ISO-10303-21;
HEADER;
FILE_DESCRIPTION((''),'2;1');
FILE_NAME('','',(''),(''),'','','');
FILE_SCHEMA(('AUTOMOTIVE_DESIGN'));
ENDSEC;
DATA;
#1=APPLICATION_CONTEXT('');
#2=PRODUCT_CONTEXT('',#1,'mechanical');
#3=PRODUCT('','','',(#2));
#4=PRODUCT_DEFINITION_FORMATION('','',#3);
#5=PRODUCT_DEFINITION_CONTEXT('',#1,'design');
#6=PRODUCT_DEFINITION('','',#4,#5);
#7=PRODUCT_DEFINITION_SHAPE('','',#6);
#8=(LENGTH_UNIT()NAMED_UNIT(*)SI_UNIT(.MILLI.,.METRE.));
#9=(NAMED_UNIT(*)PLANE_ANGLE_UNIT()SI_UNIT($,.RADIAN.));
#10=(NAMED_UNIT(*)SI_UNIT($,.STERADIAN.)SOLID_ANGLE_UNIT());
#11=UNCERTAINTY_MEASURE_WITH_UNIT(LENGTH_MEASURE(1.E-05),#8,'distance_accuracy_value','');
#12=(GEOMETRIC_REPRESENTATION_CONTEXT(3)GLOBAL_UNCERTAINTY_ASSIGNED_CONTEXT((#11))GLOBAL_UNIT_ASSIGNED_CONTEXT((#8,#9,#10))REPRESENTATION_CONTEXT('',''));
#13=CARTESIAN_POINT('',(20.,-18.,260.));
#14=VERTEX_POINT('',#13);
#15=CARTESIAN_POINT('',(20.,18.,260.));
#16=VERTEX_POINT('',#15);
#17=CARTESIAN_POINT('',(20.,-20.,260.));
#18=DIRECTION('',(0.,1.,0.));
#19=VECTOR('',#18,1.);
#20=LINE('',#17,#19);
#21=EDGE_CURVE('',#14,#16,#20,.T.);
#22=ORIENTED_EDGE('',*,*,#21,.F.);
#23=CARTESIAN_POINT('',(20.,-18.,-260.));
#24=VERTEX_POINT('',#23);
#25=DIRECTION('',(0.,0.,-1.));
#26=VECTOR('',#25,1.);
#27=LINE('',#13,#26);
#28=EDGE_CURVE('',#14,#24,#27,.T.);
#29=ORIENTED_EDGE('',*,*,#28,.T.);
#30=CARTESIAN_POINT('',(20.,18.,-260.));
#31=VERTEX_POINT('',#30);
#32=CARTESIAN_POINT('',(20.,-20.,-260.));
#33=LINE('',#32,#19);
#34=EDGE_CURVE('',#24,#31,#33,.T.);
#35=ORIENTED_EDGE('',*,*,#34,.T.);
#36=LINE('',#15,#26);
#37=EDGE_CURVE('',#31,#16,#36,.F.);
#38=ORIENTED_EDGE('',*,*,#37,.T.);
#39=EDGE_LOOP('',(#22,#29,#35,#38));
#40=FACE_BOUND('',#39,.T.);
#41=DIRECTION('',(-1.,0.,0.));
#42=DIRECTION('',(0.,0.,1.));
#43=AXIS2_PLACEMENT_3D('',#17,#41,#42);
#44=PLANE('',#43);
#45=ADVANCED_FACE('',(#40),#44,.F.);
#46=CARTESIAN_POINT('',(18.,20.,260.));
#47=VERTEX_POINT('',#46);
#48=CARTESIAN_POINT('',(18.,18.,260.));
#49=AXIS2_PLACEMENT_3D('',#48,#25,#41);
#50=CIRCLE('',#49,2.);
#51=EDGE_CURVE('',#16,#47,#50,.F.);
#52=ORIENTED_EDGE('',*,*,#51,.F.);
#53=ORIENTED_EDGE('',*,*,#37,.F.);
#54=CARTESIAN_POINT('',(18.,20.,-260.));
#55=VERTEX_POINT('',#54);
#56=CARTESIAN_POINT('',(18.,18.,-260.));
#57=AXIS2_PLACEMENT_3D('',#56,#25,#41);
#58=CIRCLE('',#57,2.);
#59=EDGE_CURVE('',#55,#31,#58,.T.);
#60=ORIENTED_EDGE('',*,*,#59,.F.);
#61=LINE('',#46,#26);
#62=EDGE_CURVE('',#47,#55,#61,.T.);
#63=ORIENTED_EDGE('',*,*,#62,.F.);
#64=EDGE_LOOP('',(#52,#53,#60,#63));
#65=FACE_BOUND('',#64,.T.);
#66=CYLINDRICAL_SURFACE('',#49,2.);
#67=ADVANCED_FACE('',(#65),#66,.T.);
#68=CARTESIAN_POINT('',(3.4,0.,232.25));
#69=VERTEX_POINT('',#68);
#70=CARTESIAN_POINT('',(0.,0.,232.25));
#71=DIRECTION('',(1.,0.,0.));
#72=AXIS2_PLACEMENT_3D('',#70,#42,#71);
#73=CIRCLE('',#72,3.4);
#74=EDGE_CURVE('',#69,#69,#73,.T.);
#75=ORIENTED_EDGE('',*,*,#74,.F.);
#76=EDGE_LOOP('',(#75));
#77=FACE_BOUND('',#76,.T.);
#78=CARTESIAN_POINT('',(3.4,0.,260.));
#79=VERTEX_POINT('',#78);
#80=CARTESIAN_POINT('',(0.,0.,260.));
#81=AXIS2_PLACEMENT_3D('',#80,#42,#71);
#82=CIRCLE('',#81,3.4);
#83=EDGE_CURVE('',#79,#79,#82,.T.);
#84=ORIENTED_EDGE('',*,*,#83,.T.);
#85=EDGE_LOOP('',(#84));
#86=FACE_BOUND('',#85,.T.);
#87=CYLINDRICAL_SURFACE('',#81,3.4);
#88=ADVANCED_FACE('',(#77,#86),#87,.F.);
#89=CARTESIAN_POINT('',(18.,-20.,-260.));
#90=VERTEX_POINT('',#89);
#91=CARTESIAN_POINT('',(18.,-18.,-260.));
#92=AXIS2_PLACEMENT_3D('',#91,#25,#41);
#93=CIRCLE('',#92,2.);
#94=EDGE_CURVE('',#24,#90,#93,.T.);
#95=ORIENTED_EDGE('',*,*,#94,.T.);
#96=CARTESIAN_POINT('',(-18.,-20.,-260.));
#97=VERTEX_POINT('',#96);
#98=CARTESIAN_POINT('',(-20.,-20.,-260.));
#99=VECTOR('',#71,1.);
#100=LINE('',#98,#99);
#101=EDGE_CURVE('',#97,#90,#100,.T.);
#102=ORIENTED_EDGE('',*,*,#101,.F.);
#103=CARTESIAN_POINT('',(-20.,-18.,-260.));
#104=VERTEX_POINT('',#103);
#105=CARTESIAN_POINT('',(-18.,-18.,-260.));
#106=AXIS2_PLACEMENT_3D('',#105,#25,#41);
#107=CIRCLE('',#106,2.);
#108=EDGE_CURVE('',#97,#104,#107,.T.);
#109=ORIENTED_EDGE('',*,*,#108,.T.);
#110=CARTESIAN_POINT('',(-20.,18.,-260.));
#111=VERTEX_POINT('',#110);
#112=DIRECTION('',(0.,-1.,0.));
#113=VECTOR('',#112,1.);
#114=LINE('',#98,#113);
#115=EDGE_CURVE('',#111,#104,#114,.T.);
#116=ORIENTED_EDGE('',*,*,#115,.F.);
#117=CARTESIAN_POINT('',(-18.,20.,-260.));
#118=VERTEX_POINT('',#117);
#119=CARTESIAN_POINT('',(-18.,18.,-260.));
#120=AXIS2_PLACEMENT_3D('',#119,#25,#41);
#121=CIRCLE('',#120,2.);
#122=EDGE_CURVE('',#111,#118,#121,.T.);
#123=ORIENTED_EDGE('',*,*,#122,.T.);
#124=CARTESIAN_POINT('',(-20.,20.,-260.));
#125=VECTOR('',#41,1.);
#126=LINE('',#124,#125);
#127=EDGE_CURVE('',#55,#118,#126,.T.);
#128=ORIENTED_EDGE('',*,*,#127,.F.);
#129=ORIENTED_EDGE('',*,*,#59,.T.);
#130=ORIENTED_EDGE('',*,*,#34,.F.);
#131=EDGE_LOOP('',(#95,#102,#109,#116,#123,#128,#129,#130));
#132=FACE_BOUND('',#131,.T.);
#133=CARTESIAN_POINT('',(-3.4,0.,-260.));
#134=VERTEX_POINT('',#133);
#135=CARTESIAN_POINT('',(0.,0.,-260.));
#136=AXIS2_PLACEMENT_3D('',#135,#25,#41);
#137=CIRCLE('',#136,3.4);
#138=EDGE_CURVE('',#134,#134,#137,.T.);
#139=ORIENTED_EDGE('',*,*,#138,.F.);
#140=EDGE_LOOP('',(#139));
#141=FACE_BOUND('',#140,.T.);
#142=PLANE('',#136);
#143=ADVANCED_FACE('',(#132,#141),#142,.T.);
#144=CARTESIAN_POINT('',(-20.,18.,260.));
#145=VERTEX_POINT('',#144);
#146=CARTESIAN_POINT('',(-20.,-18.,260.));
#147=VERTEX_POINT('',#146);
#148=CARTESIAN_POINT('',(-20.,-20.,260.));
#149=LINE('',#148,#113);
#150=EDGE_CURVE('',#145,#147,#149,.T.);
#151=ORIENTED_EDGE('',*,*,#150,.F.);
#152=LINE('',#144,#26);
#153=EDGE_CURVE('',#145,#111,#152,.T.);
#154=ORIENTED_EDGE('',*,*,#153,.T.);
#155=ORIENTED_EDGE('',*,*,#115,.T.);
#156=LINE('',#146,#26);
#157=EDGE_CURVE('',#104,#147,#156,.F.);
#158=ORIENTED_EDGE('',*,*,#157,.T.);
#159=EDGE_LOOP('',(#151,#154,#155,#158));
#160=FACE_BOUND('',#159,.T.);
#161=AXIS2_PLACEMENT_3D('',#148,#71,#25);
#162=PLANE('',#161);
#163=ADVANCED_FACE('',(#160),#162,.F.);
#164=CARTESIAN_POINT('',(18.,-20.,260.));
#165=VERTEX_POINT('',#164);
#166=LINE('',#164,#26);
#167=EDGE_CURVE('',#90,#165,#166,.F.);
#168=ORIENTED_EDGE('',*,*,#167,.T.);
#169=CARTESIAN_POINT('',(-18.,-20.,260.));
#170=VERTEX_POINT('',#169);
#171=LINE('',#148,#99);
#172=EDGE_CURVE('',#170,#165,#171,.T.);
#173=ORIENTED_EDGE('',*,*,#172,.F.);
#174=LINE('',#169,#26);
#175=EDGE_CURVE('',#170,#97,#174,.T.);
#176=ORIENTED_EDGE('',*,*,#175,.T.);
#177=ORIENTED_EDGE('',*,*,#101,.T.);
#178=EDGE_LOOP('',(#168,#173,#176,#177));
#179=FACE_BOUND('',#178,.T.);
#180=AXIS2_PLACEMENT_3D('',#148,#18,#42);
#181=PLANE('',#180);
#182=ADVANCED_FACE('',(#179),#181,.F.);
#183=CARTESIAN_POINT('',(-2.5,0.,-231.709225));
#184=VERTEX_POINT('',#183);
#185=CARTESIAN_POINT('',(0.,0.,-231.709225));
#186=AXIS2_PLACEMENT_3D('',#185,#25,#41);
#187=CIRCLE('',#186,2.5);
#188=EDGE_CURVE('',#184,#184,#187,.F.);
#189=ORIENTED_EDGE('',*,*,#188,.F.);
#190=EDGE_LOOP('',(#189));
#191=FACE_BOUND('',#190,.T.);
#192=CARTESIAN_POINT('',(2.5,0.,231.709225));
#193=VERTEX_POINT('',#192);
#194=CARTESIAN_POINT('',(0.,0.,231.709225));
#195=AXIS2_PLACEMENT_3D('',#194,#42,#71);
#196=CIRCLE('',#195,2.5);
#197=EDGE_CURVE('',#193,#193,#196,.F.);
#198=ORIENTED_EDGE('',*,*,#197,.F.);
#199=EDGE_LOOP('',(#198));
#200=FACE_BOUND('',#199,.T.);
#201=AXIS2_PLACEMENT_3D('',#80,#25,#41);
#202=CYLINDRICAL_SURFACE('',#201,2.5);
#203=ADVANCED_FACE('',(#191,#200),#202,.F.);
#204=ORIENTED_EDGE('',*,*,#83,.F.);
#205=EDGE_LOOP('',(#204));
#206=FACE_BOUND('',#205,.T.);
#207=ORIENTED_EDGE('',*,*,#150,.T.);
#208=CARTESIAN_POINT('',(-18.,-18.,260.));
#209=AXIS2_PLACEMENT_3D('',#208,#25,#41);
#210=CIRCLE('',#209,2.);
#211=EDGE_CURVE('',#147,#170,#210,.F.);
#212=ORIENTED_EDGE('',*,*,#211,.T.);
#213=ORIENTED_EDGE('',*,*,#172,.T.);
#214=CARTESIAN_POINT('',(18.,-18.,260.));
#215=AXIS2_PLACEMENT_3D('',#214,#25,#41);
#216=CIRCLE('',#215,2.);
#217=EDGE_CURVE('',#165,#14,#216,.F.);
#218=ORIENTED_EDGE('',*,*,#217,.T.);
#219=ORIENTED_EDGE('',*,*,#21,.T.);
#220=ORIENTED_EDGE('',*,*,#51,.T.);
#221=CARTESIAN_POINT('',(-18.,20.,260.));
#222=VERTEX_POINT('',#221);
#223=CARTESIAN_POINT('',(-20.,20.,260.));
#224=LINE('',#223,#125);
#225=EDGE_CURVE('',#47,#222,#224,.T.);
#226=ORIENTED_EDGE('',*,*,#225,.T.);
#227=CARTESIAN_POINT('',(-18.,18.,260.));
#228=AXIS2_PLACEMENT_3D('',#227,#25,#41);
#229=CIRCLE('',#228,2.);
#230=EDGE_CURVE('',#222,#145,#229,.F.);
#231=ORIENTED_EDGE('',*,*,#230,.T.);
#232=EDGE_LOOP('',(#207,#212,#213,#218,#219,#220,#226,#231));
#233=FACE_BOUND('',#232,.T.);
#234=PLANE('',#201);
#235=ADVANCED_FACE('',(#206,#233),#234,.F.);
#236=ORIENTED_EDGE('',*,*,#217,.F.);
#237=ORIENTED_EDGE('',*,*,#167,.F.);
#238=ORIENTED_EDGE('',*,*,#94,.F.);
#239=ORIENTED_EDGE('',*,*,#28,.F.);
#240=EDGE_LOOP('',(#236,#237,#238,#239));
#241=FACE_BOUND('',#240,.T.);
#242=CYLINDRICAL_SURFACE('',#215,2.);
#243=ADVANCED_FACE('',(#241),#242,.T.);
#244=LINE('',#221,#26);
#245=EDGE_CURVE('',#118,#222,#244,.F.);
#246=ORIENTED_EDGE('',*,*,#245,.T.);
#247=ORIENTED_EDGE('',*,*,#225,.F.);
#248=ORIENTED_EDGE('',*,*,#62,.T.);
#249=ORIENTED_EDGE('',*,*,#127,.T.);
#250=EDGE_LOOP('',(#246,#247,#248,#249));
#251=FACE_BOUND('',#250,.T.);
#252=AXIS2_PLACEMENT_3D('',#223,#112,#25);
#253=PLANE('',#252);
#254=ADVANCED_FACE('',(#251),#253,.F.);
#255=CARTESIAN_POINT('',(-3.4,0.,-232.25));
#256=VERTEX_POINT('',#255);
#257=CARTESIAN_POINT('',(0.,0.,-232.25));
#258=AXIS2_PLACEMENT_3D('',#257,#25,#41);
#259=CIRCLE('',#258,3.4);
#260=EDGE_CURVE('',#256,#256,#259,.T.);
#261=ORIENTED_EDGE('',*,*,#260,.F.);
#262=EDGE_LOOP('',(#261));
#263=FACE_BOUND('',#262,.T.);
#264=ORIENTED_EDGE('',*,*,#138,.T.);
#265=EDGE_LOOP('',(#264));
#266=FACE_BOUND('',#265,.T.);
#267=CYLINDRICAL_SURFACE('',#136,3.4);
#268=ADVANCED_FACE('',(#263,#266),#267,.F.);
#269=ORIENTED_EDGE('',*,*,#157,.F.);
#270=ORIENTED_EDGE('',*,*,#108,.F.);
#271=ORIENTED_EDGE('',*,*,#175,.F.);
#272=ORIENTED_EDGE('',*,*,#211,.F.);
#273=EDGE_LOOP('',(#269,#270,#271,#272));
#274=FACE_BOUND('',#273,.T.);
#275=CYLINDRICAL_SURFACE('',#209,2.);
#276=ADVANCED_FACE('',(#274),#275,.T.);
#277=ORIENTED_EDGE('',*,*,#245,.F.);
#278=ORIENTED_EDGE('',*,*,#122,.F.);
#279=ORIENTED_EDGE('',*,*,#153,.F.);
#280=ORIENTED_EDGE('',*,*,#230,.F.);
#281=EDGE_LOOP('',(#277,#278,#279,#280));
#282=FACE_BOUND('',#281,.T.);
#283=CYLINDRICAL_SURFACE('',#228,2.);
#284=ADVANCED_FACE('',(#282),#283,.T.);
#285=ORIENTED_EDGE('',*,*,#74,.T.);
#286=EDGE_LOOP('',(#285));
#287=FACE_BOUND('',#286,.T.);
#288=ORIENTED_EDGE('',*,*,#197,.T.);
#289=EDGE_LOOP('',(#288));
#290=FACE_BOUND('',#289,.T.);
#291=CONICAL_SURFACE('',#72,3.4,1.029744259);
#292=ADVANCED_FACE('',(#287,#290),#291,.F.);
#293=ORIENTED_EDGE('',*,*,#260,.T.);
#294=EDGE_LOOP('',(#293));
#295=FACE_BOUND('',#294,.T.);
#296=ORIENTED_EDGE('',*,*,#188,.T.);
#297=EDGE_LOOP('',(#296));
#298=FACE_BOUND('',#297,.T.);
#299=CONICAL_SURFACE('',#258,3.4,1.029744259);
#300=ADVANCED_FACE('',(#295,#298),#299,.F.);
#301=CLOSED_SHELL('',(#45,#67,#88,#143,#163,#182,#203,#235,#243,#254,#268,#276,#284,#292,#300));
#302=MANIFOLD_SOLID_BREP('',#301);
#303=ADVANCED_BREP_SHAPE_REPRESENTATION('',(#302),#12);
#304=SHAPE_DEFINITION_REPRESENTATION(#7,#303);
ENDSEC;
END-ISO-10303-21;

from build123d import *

# Parameters (mm, degrees)
SKETCH1_W           = 40
SKETCH1_H           = 40
SKETCH1_R           = 2.5
BOSS_EXTRUDE1_DEPTH = 260
FILLET1_R           = 2


with BuildPart() as part:
    # Sketch1 → Boss-Extrude1 (new, symmetric)
    with BuildSketch(Plane.XY):
        Rectangle(SKETCH1_W, SKETCH1_H)
        Circle(SKETCH1_R, mode=Mode.SUBTRACT)
    extrude(amount=BOSS_EXTRUDE1_DEPTH, both=True)

    # Fillet1
    fillet1_edges = [part.edges().sort_by_distance(p)[0] for p in [
        (20, -20, 0),
        (-20, -20, 0),
        (-20, 20, 0),
        (20, 20, 0),
    ]]
    fillet(fillet1_edges, radius=FILLET1_R)

    # Sketch9 → M8 Tapped Hole1 (revolve, cut)
    with BuildSketch(Plane(origin=(0, 0, 260), x_dir=(0, -1, 0), z_dir=(1, 0, 0))):
        Polygon((0, 0), (0, 29.792926105), (3.4, 27.75), (3.4, 0), align=None)
    m8_tapped_hole1 = revolve(axis=Axis((0, 0, 266.35), (0, 0, -1)), mode=Mode.SUBTRACT)

    # Mirror1: M8 Tapped Hole1 across plane
    add(m8_tapped_hole1.mirror(Plane.XY), mode=Mode.SUBTRACT)


solid = part.part
